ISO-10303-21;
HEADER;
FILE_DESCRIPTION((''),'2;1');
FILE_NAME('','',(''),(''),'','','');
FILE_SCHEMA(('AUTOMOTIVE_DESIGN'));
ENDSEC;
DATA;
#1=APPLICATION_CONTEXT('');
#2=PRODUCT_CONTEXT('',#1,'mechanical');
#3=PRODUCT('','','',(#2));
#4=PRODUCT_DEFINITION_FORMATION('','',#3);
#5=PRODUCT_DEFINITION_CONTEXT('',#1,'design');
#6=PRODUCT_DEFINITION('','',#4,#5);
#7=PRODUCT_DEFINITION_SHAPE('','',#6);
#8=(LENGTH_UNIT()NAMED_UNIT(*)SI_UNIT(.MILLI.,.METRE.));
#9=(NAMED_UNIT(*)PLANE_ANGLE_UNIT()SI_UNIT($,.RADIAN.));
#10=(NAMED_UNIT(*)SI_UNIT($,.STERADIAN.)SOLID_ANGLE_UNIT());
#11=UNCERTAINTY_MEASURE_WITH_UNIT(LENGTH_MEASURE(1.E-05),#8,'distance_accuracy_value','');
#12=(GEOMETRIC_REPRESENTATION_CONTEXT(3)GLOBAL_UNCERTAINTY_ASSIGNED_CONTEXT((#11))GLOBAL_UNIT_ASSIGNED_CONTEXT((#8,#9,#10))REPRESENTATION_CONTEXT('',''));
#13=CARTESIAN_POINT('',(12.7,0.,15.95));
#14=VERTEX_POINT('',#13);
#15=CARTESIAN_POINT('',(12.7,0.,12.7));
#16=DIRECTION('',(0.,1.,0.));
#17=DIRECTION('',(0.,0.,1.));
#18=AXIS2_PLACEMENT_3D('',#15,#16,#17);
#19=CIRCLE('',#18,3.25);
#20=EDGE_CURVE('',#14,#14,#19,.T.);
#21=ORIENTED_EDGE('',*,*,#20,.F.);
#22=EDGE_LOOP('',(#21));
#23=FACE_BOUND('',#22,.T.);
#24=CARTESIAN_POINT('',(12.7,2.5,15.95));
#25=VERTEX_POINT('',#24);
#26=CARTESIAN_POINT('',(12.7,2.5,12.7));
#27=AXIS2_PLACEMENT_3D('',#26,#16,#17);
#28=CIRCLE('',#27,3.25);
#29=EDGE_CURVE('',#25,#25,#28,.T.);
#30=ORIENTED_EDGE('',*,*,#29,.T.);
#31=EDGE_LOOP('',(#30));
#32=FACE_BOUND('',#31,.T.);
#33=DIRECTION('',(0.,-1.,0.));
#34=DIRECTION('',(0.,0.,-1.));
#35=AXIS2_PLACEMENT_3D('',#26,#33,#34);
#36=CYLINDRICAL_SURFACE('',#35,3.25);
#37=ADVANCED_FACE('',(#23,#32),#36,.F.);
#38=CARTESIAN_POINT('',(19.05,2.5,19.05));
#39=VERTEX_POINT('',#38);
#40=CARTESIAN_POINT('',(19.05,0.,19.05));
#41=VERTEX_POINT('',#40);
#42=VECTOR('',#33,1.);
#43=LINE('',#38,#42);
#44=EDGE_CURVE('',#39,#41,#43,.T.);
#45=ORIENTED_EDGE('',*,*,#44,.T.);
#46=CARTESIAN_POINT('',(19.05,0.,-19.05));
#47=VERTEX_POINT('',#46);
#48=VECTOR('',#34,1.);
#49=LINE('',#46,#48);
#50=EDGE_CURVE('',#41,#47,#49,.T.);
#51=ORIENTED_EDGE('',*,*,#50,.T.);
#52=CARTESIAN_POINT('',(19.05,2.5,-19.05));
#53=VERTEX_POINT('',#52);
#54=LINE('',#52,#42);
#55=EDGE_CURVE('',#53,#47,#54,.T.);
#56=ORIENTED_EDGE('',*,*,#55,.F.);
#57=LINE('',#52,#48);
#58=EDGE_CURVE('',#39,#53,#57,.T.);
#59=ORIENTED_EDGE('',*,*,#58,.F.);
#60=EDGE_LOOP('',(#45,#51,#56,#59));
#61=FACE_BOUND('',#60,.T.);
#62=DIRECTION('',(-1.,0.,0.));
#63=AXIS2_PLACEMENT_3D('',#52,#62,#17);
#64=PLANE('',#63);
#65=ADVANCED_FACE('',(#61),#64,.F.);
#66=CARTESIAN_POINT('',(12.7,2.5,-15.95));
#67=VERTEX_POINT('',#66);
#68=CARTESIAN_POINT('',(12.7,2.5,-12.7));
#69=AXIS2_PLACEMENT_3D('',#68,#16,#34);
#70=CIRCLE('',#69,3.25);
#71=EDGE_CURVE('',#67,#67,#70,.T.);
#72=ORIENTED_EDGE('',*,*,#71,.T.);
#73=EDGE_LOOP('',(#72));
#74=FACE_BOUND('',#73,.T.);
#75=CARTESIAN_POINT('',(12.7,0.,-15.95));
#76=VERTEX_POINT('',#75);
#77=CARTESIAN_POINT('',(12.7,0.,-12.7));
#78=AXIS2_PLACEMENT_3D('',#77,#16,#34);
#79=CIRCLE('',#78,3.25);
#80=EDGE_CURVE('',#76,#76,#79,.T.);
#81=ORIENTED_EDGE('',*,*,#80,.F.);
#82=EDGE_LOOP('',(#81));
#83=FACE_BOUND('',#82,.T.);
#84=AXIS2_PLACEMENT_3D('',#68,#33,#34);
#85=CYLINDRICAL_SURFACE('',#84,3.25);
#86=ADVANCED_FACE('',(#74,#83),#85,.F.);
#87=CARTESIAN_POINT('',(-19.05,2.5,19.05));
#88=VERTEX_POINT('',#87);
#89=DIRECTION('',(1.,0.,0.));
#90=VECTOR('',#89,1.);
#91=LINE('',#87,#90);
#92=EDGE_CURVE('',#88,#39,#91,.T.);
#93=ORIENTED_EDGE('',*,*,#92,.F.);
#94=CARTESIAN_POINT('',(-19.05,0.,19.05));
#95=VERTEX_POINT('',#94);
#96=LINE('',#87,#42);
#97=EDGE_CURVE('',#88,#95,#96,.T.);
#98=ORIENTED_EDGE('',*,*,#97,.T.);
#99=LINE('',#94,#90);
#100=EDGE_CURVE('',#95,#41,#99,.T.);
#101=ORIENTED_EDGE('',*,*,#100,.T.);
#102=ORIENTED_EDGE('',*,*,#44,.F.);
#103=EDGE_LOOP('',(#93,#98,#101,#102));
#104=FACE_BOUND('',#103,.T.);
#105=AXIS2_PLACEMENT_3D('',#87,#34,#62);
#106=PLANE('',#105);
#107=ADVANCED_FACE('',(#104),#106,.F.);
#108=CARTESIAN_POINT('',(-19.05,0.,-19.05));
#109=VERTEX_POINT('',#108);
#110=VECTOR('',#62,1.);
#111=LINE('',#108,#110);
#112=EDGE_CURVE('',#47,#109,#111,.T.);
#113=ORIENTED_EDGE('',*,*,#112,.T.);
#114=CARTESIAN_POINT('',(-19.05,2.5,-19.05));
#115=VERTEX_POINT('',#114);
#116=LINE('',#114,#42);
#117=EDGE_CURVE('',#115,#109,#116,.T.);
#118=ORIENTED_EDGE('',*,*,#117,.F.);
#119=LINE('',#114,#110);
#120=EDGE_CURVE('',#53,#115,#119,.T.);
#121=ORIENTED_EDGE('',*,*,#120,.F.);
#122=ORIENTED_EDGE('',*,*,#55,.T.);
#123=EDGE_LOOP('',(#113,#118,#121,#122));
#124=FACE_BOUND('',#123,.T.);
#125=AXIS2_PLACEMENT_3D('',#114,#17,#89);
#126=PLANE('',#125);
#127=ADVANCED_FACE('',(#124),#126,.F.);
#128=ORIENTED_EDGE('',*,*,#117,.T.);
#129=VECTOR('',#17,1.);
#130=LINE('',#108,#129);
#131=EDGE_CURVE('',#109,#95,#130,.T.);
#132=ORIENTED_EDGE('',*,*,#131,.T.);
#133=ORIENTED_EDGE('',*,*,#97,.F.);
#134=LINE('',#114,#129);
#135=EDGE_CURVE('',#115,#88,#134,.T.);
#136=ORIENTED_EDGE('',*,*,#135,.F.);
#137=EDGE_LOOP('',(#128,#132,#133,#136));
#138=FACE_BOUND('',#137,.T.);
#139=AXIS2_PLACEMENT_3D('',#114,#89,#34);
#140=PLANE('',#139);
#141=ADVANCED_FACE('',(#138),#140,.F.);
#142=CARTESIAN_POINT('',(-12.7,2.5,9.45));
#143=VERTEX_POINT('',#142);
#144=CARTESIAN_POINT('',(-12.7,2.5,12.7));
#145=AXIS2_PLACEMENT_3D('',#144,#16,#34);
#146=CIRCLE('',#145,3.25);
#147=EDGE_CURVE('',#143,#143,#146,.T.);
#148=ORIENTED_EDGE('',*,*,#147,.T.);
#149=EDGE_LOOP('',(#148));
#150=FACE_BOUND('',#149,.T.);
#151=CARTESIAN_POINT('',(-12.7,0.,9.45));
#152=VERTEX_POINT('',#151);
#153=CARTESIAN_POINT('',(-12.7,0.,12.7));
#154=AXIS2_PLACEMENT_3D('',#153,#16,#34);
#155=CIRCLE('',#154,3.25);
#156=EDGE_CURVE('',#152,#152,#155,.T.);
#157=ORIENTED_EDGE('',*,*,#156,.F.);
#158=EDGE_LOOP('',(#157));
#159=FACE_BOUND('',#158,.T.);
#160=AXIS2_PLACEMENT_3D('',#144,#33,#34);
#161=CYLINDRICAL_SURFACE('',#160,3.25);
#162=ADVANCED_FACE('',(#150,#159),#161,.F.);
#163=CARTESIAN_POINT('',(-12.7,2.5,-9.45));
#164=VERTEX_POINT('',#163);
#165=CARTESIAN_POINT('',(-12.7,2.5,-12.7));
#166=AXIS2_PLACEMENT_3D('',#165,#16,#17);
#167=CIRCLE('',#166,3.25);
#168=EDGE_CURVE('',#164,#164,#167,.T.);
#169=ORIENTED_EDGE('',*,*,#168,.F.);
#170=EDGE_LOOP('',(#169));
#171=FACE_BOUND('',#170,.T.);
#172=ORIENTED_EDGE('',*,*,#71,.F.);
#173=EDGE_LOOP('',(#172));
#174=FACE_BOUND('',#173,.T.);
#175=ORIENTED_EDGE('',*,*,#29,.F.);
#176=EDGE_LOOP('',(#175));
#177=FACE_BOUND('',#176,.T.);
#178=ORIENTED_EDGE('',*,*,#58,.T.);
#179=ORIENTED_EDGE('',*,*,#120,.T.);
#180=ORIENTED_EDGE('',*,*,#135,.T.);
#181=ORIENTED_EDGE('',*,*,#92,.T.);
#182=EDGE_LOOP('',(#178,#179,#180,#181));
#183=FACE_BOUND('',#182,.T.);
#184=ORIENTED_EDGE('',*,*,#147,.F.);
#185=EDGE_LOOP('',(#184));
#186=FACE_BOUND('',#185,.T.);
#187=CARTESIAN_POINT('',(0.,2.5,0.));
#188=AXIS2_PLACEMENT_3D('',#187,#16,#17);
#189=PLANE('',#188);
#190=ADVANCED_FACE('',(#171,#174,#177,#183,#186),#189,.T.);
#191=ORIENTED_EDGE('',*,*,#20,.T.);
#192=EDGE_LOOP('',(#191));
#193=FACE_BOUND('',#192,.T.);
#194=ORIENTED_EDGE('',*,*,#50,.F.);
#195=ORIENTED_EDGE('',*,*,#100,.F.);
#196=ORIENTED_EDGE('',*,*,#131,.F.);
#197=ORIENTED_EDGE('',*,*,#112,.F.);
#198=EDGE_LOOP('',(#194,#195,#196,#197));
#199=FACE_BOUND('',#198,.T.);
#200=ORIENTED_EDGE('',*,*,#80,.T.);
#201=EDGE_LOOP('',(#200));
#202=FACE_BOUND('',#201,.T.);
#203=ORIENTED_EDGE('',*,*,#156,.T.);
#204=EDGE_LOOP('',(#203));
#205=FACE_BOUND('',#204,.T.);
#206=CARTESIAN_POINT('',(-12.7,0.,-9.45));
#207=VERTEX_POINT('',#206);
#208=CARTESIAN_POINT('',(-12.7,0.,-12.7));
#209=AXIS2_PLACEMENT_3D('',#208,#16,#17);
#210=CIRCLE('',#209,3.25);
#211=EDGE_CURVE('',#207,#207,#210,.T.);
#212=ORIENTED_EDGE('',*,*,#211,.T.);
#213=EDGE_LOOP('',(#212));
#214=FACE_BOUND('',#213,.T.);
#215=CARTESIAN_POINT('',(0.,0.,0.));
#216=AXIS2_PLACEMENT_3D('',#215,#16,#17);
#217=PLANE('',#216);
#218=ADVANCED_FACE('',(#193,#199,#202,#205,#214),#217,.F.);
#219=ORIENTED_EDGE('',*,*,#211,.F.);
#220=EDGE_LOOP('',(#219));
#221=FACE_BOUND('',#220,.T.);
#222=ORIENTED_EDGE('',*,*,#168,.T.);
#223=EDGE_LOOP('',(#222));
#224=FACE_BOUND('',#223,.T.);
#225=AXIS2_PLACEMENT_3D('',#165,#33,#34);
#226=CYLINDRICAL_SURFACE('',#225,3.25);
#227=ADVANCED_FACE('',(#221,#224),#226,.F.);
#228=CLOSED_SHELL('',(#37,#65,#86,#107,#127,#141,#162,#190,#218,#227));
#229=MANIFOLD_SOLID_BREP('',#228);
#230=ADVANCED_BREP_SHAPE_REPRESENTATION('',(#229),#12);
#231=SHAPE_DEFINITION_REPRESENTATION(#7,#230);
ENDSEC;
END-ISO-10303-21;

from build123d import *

# Parameters (mm, degrees)
SKETCH1_W           = 38.1
SKETCH1_H           = 38.1
SKETCH1_R           = 3.25
BOSS_EXTRUDE1_DEPTH = 2.5


with BuildPart() as part:
    # Sketch1 → Boss-Extrude1 (new body)
    with BuildSketch(Plane(origin=(0, 0, 0), x_dir=(1, 0, 0), z_dir=(0, 1, 0))):
        Rectangle(SKETCH1_W, SKETCH1_H)
        with Locations((-12.7, 12.7)):
            Circle(SKETCH1_R, mode=Mode.SUBTRACT)
        with Locations((12.7, 12.7)):
            Circle(SKETCH1_R, mode=Mode.SUBTRACT)
        with Locations((-12.7, -12.7)):
            Circle(SKETCH1_R, mode=Mode.SUBTRACT)
        with Locations((12.7, -12.7)):
            Circle(SKETCH1_R, mode=Mode.SUBTRACT)
    extrude(amount=BOSS_EXTRUDE1_DEPTH)


solid = part.part
